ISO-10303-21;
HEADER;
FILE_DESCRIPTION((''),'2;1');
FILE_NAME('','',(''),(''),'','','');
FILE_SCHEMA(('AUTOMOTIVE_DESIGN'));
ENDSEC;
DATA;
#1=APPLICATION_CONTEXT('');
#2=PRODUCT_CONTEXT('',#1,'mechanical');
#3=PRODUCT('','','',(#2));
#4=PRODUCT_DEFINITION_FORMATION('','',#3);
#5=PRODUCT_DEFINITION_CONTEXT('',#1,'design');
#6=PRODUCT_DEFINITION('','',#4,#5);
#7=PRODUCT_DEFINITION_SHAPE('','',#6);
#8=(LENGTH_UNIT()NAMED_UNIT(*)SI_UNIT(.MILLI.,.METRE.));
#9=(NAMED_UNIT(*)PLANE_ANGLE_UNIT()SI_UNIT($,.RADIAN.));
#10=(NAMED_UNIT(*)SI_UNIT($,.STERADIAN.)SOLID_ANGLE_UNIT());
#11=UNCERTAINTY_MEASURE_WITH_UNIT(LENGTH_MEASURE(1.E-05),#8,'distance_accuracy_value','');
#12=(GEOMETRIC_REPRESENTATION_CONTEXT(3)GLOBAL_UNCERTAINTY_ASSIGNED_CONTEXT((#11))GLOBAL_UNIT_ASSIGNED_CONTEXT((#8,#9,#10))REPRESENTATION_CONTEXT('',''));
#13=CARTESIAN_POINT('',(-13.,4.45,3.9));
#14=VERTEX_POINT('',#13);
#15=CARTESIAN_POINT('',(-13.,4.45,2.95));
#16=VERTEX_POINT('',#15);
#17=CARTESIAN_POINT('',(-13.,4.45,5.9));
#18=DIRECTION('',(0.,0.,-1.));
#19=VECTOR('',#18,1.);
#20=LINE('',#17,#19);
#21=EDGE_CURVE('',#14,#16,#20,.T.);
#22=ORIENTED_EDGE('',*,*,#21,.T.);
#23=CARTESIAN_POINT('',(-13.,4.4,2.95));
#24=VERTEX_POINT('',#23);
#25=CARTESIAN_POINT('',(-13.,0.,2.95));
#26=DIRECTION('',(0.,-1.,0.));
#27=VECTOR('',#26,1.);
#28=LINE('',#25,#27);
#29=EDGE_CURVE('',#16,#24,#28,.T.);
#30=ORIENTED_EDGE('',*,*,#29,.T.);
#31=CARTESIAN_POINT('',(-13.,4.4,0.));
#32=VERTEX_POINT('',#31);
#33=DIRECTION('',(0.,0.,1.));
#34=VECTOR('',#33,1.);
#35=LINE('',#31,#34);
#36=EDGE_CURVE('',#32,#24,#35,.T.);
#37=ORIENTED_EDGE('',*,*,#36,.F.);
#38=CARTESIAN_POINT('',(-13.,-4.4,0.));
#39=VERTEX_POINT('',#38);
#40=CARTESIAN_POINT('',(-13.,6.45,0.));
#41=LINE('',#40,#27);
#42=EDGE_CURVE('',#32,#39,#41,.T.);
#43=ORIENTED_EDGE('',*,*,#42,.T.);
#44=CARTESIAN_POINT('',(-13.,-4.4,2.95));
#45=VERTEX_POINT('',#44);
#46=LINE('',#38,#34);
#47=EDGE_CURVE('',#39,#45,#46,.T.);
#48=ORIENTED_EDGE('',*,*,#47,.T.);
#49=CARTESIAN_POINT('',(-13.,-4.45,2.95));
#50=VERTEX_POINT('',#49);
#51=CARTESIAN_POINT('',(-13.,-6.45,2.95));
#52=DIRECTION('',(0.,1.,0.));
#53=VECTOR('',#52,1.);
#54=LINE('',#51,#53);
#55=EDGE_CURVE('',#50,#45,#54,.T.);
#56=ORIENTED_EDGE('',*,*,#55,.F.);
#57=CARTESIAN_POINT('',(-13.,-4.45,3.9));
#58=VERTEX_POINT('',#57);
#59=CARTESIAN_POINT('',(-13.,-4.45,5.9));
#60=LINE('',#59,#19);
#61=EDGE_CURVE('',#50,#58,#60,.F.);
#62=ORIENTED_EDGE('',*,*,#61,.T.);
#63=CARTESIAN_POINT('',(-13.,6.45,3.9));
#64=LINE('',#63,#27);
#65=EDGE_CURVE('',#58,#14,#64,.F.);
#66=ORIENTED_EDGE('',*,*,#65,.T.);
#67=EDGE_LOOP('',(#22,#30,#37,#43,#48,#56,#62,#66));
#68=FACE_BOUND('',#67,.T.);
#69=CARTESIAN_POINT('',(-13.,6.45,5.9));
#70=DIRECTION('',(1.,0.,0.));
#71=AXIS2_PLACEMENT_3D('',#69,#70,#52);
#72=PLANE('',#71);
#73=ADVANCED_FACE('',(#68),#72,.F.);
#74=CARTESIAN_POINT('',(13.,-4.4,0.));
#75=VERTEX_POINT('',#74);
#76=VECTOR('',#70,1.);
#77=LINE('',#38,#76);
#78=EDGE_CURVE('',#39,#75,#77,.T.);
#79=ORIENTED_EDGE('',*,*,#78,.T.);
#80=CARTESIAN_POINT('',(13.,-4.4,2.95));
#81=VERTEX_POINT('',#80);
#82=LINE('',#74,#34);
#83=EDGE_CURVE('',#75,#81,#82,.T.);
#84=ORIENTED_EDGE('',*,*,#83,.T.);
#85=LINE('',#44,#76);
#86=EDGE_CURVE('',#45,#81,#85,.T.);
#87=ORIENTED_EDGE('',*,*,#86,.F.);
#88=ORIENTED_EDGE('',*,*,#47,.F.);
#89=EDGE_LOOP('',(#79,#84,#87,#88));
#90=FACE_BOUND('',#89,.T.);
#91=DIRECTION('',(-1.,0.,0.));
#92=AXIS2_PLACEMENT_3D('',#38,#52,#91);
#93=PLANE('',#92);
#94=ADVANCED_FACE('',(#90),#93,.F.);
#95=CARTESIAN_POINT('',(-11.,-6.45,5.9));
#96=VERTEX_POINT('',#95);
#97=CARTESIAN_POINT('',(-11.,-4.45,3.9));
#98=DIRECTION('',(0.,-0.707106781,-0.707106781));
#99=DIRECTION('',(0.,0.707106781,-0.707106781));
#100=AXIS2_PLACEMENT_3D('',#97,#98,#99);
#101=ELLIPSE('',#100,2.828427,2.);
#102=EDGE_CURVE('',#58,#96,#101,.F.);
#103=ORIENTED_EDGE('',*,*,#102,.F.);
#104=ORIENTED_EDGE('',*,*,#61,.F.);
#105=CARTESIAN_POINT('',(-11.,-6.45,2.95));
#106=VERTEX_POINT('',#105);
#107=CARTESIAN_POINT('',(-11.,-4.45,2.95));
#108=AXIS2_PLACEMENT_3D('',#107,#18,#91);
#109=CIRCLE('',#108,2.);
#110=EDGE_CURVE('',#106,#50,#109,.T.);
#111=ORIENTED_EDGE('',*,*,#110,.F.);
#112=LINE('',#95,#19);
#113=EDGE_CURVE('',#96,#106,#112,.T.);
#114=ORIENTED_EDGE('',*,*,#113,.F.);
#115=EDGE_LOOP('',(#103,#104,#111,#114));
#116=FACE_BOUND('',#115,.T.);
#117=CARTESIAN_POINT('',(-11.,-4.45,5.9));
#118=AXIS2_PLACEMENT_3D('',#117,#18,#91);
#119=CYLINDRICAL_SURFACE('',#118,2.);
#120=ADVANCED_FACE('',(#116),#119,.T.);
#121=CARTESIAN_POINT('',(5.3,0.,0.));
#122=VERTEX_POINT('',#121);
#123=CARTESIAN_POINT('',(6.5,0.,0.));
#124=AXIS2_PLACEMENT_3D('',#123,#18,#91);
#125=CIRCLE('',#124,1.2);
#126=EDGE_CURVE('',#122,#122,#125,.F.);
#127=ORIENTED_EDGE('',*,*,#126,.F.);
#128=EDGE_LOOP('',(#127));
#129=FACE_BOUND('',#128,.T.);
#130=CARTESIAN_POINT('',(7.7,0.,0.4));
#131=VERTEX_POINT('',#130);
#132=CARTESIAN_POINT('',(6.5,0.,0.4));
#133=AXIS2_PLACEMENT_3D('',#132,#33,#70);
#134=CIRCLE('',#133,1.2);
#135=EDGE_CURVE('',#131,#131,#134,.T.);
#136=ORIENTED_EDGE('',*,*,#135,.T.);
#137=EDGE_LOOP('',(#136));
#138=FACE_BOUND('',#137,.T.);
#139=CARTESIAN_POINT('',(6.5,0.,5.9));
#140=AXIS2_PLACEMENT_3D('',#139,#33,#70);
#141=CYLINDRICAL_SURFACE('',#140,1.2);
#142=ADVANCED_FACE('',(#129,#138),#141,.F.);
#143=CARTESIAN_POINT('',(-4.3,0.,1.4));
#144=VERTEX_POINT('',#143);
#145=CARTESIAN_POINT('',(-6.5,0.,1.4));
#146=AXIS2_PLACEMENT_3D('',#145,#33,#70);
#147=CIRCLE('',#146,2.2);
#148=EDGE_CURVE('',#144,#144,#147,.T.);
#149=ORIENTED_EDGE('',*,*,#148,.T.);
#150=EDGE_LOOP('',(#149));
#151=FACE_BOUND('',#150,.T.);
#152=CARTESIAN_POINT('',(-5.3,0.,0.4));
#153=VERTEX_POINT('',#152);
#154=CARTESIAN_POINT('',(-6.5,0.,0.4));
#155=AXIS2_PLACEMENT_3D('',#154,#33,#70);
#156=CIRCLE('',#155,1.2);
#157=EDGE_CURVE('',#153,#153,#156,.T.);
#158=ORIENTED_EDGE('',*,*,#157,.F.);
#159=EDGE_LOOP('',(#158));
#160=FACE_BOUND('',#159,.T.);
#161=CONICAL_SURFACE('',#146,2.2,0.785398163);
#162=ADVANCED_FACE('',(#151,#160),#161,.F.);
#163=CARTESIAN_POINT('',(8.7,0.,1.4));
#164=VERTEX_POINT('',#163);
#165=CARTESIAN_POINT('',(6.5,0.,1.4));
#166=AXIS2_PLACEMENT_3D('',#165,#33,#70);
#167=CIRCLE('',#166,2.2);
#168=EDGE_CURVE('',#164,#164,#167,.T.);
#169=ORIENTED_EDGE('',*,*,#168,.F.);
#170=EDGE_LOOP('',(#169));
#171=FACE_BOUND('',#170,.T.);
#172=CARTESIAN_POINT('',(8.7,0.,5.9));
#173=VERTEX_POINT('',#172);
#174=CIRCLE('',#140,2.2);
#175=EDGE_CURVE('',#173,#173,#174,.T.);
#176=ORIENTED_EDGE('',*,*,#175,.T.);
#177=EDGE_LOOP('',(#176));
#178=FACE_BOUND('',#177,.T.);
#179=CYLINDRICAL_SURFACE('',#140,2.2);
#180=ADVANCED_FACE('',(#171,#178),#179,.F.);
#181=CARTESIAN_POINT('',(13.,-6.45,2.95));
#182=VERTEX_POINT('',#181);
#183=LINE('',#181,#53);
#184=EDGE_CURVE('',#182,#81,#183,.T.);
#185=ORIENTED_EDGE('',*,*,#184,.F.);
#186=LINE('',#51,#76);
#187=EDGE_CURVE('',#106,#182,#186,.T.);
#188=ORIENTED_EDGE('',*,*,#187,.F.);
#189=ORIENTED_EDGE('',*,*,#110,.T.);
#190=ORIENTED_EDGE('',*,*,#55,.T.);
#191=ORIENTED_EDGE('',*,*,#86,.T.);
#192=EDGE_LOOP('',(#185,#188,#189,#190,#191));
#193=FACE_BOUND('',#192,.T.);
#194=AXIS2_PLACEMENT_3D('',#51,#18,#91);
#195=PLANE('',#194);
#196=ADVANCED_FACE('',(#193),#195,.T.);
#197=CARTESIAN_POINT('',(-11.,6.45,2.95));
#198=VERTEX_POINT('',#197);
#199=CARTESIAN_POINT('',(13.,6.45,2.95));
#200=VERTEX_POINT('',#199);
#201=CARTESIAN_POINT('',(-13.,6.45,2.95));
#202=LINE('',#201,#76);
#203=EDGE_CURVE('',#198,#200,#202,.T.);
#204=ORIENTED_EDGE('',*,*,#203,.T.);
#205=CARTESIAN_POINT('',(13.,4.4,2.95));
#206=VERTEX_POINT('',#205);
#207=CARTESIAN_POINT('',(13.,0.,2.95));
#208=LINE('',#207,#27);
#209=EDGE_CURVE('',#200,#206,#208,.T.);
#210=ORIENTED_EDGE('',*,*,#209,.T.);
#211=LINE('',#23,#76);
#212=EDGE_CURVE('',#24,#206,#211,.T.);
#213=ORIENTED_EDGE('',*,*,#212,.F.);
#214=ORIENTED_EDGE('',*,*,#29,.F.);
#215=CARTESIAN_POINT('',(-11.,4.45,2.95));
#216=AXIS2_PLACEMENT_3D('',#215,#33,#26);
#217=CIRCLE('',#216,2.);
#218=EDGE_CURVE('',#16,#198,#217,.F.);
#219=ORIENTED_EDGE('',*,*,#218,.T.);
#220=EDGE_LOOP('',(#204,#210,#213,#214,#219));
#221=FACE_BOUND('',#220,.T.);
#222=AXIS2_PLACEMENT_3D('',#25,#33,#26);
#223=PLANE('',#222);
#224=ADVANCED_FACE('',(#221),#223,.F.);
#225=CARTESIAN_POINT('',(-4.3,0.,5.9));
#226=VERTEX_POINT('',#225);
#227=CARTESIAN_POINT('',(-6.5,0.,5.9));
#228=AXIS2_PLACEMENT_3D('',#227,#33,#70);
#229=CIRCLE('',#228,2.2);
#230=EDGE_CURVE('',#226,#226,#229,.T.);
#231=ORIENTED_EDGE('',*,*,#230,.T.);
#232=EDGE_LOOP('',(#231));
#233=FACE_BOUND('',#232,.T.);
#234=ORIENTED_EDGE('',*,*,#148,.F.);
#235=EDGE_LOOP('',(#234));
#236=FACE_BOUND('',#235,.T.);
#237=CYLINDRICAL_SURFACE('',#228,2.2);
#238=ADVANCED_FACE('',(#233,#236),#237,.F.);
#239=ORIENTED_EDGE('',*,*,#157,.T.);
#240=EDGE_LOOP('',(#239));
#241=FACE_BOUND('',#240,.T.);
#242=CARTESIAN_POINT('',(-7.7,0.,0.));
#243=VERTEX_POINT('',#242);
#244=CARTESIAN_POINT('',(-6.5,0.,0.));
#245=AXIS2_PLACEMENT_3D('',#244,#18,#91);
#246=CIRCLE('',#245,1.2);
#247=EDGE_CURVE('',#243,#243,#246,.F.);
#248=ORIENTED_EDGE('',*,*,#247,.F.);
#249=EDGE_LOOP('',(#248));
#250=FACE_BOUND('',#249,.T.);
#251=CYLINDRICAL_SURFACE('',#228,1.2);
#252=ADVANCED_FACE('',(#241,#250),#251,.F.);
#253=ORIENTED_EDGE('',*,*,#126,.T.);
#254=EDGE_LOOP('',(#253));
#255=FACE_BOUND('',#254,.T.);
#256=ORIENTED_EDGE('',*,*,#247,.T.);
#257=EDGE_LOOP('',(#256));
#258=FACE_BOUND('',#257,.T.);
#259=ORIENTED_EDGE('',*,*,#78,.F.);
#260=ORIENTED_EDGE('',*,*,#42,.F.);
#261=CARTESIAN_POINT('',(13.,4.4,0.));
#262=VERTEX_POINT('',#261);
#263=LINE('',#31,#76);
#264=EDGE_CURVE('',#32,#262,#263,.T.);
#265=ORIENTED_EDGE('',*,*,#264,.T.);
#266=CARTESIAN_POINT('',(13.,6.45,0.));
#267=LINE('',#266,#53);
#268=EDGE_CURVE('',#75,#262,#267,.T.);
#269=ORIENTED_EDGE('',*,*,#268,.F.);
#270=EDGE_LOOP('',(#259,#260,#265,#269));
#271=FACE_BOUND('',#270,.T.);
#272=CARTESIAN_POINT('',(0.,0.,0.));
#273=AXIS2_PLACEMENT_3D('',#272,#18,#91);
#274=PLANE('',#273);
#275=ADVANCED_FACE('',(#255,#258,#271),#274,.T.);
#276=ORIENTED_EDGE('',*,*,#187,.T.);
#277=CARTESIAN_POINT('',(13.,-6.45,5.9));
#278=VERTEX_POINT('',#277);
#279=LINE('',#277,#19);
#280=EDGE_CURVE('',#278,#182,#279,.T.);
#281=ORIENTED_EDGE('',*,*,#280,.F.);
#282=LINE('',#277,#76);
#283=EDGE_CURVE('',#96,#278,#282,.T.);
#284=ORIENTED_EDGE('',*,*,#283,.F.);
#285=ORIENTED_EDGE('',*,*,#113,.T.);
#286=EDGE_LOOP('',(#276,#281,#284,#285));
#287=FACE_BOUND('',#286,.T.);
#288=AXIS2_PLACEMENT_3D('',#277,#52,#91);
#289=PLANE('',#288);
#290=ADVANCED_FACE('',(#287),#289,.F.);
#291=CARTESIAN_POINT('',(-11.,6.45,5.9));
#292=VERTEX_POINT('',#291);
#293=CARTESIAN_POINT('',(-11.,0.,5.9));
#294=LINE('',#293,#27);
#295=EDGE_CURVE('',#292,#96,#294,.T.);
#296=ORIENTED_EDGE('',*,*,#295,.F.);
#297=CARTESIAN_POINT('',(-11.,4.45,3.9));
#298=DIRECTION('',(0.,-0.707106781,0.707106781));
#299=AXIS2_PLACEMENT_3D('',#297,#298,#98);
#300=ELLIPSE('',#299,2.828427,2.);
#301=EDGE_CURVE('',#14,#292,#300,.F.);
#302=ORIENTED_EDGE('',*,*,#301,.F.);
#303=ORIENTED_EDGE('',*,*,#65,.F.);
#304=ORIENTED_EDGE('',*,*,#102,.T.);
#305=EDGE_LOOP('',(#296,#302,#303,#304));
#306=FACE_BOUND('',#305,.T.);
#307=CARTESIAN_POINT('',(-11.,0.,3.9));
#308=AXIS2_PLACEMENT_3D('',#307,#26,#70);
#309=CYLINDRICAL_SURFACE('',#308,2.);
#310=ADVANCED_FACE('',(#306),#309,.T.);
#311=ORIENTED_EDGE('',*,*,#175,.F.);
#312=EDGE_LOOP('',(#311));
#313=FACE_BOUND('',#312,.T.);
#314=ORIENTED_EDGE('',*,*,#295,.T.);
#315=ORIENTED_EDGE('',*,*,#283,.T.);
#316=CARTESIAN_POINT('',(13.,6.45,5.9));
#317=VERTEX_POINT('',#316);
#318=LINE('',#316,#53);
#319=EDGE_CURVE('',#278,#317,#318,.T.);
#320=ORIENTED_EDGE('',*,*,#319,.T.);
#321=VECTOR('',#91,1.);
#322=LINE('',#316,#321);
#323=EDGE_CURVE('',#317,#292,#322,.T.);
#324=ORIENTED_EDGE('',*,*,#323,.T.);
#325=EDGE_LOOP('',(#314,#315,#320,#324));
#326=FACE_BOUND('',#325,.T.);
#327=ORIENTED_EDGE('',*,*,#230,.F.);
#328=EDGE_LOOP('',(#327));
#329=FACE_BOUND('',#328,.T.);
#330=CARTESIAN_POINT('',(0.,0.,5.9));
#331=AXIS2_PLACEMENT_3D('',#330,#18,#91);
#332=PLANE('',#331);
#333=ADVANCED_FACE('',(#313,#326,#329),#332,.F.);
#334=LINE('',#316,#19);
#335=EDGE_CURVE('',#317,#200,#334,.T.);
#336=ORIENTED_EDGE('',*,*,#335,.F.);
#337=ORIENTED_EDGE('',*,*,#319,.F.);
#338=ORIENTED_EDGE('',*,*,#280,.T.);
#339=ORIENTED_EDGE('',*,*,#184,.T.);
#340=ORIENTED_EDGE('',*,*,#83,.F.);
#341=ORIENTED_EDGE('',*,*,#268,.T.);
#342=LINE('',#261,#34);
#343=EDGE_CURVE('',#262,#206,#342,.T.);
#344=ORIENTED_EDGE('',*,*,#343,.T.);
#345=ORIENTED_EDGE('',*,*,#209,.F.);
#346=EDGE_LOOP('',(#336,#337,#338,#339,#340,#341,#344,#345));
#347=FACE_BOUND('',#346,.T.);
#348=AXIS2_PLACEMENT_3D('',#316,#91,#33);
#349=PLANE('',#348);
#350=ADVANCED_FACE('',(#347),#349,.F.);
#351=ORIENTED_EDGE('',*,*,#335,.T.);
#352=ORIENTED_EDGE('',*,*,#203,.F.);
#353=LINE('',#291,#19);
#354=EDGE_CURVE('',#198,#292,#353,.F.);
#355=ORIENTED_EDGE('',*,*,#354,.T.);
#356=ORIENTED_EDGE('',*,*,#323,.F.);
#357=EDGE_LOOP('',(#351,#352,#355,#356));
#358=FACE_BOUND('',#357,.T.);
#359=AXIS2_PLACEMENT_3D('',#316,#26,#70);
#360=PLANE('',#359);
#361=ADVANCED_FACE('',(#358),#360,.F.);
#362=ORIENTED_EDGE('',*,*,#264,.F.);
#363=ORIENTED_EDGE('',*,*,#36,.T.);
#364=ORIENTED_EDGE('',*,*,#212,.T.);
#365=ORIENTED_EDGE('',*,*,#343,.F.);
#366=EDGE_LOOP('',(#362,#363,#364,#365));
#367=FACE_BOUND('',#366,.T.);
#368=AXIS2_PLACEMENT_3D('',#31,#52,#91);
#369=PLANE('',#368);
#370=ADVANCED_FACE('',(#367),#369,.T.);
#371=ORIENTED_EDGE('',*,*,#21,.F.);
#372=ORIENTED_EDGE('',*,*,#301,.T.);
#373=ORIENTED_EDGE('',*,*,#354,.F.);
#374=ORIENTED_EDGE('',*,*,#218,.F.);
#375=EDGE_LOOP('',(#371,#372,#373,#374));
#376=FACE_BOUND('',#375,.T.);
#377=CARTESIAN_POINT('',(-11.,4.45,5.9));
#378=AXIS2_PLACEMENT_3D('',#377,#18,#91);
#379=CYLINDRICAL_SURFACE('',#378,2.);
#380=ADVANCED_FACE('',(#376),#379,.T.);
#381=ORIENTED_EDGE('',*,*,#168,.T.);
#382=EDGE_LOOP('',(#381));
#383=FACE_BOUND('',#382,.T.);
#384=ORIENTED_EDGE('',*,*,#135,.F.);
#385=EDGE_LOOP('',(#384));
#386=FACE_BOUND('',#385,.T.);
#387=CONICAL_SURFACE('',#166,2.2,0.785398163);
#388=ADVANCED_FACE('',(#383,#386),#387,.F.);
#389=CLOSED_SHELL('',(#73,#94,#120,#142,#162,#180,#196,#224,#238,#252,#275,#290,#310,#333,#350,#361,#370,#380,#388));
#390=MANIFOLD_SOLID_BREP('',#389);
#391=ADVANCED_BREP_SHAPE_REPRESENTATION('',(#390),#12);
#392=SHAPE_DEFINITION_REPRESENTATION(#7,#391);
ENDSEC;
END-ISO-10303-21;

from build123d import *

# Parameters (mm, degrees)
SKETCH1_W                                    = 26
SKETCH1_H                                    = 12.9
BOSS_EXTRUDE1_DEPTH                          = 5.9
SKETCH2_W                                    = 2.95
SKETCH2_H                                    = 2.05
CUT_EXTRUDE1_DEPTH                           = 27
CSK_SLOT_FOR_M2_COUNTERSUNK_FLAT_HEA_2_COUNT = 2
CSK_SLOT_FOR_M2_COUNTERSUNK_FLAT_HEA_2_PITCH = 13
FILLET1_R                                    = 2


with BuildPart() as part:
    # Sketch1 → Boss-Extrude1 (new body)
    with BuildSketch(Plane.XY):
        Rectangle(SKETCH1_W, SKETCH1_H)
    extrude(amount=BOSS_EXTRUDE1_DEPTH)

    # Sketch2 → Cut-Extrude1 (cut, through all)
    with BuildSketch(Plane(origin=(13, 0, 0), x_dir=(0, 0, -1), z_dir=(1, 0, 0))):
        with Locations((-1.475, 5.425)):
            Rectangle(SKETCH2_W, SKETCH2_H)
        with Locations((-1.475, -5.425)):
            Rectangle(SKETCH2_W, SKETCH2_H)
    extrude(amount=-CUT_EXTRUDE1_DEPTH, mode=Mode.SUBTRACT)

    # Sketch3 → CSK SLOT for M2 Countersunk Flat Head Screw1 (revolve, cut)
    with BuildSketch(Plane(origin=(-6.5, 0, 5.9), x_dir=(0, -1, 0), z_dir=(1, 0, 0))):
        Polygon((0, 0), (0, 6.621032743), (1.2, 5.9), (1.2, 5.5), (2.2, 4.5), (2.2, 0), align=None)
    csk_slot_for_m2_countersunk_flat_head_sc = revolve(axis=Axis((-6.5, 0, 12.25), (0, 0, -1)), mode=Mode.SUBTRACT)

    # CSK SLOT for M2 Countersunk Flat Hea 2: CSK SLOT for M2 Countersunk Flat Head Screw1 ×2
    with Locations(*[(i * CSK_SLOT_FOR_M2_COUNTERSUNK_FLAT_HEA_2_PITCH, 0, 0) for i in range(1, CSK_SLOT_FOR_M2_COUNTERSUNK_FLAT_HEA_2_COUNT)]):
        add(csk_slot_for_m2_countersunk_flat_head_sc, mode=Mode.SUBTRACT)

    # Fillet1
    fillet1_edges = [part.edges().sort_by_distance(p)[0] for p in [
        (-13, 0, 5.9),
        (-13, 6.45, 4.425),
        (-13, -6.45, 4.425),
    ]]
    fillet(fillet1_edges, radius=FILLET1_R)


solid = part.part
